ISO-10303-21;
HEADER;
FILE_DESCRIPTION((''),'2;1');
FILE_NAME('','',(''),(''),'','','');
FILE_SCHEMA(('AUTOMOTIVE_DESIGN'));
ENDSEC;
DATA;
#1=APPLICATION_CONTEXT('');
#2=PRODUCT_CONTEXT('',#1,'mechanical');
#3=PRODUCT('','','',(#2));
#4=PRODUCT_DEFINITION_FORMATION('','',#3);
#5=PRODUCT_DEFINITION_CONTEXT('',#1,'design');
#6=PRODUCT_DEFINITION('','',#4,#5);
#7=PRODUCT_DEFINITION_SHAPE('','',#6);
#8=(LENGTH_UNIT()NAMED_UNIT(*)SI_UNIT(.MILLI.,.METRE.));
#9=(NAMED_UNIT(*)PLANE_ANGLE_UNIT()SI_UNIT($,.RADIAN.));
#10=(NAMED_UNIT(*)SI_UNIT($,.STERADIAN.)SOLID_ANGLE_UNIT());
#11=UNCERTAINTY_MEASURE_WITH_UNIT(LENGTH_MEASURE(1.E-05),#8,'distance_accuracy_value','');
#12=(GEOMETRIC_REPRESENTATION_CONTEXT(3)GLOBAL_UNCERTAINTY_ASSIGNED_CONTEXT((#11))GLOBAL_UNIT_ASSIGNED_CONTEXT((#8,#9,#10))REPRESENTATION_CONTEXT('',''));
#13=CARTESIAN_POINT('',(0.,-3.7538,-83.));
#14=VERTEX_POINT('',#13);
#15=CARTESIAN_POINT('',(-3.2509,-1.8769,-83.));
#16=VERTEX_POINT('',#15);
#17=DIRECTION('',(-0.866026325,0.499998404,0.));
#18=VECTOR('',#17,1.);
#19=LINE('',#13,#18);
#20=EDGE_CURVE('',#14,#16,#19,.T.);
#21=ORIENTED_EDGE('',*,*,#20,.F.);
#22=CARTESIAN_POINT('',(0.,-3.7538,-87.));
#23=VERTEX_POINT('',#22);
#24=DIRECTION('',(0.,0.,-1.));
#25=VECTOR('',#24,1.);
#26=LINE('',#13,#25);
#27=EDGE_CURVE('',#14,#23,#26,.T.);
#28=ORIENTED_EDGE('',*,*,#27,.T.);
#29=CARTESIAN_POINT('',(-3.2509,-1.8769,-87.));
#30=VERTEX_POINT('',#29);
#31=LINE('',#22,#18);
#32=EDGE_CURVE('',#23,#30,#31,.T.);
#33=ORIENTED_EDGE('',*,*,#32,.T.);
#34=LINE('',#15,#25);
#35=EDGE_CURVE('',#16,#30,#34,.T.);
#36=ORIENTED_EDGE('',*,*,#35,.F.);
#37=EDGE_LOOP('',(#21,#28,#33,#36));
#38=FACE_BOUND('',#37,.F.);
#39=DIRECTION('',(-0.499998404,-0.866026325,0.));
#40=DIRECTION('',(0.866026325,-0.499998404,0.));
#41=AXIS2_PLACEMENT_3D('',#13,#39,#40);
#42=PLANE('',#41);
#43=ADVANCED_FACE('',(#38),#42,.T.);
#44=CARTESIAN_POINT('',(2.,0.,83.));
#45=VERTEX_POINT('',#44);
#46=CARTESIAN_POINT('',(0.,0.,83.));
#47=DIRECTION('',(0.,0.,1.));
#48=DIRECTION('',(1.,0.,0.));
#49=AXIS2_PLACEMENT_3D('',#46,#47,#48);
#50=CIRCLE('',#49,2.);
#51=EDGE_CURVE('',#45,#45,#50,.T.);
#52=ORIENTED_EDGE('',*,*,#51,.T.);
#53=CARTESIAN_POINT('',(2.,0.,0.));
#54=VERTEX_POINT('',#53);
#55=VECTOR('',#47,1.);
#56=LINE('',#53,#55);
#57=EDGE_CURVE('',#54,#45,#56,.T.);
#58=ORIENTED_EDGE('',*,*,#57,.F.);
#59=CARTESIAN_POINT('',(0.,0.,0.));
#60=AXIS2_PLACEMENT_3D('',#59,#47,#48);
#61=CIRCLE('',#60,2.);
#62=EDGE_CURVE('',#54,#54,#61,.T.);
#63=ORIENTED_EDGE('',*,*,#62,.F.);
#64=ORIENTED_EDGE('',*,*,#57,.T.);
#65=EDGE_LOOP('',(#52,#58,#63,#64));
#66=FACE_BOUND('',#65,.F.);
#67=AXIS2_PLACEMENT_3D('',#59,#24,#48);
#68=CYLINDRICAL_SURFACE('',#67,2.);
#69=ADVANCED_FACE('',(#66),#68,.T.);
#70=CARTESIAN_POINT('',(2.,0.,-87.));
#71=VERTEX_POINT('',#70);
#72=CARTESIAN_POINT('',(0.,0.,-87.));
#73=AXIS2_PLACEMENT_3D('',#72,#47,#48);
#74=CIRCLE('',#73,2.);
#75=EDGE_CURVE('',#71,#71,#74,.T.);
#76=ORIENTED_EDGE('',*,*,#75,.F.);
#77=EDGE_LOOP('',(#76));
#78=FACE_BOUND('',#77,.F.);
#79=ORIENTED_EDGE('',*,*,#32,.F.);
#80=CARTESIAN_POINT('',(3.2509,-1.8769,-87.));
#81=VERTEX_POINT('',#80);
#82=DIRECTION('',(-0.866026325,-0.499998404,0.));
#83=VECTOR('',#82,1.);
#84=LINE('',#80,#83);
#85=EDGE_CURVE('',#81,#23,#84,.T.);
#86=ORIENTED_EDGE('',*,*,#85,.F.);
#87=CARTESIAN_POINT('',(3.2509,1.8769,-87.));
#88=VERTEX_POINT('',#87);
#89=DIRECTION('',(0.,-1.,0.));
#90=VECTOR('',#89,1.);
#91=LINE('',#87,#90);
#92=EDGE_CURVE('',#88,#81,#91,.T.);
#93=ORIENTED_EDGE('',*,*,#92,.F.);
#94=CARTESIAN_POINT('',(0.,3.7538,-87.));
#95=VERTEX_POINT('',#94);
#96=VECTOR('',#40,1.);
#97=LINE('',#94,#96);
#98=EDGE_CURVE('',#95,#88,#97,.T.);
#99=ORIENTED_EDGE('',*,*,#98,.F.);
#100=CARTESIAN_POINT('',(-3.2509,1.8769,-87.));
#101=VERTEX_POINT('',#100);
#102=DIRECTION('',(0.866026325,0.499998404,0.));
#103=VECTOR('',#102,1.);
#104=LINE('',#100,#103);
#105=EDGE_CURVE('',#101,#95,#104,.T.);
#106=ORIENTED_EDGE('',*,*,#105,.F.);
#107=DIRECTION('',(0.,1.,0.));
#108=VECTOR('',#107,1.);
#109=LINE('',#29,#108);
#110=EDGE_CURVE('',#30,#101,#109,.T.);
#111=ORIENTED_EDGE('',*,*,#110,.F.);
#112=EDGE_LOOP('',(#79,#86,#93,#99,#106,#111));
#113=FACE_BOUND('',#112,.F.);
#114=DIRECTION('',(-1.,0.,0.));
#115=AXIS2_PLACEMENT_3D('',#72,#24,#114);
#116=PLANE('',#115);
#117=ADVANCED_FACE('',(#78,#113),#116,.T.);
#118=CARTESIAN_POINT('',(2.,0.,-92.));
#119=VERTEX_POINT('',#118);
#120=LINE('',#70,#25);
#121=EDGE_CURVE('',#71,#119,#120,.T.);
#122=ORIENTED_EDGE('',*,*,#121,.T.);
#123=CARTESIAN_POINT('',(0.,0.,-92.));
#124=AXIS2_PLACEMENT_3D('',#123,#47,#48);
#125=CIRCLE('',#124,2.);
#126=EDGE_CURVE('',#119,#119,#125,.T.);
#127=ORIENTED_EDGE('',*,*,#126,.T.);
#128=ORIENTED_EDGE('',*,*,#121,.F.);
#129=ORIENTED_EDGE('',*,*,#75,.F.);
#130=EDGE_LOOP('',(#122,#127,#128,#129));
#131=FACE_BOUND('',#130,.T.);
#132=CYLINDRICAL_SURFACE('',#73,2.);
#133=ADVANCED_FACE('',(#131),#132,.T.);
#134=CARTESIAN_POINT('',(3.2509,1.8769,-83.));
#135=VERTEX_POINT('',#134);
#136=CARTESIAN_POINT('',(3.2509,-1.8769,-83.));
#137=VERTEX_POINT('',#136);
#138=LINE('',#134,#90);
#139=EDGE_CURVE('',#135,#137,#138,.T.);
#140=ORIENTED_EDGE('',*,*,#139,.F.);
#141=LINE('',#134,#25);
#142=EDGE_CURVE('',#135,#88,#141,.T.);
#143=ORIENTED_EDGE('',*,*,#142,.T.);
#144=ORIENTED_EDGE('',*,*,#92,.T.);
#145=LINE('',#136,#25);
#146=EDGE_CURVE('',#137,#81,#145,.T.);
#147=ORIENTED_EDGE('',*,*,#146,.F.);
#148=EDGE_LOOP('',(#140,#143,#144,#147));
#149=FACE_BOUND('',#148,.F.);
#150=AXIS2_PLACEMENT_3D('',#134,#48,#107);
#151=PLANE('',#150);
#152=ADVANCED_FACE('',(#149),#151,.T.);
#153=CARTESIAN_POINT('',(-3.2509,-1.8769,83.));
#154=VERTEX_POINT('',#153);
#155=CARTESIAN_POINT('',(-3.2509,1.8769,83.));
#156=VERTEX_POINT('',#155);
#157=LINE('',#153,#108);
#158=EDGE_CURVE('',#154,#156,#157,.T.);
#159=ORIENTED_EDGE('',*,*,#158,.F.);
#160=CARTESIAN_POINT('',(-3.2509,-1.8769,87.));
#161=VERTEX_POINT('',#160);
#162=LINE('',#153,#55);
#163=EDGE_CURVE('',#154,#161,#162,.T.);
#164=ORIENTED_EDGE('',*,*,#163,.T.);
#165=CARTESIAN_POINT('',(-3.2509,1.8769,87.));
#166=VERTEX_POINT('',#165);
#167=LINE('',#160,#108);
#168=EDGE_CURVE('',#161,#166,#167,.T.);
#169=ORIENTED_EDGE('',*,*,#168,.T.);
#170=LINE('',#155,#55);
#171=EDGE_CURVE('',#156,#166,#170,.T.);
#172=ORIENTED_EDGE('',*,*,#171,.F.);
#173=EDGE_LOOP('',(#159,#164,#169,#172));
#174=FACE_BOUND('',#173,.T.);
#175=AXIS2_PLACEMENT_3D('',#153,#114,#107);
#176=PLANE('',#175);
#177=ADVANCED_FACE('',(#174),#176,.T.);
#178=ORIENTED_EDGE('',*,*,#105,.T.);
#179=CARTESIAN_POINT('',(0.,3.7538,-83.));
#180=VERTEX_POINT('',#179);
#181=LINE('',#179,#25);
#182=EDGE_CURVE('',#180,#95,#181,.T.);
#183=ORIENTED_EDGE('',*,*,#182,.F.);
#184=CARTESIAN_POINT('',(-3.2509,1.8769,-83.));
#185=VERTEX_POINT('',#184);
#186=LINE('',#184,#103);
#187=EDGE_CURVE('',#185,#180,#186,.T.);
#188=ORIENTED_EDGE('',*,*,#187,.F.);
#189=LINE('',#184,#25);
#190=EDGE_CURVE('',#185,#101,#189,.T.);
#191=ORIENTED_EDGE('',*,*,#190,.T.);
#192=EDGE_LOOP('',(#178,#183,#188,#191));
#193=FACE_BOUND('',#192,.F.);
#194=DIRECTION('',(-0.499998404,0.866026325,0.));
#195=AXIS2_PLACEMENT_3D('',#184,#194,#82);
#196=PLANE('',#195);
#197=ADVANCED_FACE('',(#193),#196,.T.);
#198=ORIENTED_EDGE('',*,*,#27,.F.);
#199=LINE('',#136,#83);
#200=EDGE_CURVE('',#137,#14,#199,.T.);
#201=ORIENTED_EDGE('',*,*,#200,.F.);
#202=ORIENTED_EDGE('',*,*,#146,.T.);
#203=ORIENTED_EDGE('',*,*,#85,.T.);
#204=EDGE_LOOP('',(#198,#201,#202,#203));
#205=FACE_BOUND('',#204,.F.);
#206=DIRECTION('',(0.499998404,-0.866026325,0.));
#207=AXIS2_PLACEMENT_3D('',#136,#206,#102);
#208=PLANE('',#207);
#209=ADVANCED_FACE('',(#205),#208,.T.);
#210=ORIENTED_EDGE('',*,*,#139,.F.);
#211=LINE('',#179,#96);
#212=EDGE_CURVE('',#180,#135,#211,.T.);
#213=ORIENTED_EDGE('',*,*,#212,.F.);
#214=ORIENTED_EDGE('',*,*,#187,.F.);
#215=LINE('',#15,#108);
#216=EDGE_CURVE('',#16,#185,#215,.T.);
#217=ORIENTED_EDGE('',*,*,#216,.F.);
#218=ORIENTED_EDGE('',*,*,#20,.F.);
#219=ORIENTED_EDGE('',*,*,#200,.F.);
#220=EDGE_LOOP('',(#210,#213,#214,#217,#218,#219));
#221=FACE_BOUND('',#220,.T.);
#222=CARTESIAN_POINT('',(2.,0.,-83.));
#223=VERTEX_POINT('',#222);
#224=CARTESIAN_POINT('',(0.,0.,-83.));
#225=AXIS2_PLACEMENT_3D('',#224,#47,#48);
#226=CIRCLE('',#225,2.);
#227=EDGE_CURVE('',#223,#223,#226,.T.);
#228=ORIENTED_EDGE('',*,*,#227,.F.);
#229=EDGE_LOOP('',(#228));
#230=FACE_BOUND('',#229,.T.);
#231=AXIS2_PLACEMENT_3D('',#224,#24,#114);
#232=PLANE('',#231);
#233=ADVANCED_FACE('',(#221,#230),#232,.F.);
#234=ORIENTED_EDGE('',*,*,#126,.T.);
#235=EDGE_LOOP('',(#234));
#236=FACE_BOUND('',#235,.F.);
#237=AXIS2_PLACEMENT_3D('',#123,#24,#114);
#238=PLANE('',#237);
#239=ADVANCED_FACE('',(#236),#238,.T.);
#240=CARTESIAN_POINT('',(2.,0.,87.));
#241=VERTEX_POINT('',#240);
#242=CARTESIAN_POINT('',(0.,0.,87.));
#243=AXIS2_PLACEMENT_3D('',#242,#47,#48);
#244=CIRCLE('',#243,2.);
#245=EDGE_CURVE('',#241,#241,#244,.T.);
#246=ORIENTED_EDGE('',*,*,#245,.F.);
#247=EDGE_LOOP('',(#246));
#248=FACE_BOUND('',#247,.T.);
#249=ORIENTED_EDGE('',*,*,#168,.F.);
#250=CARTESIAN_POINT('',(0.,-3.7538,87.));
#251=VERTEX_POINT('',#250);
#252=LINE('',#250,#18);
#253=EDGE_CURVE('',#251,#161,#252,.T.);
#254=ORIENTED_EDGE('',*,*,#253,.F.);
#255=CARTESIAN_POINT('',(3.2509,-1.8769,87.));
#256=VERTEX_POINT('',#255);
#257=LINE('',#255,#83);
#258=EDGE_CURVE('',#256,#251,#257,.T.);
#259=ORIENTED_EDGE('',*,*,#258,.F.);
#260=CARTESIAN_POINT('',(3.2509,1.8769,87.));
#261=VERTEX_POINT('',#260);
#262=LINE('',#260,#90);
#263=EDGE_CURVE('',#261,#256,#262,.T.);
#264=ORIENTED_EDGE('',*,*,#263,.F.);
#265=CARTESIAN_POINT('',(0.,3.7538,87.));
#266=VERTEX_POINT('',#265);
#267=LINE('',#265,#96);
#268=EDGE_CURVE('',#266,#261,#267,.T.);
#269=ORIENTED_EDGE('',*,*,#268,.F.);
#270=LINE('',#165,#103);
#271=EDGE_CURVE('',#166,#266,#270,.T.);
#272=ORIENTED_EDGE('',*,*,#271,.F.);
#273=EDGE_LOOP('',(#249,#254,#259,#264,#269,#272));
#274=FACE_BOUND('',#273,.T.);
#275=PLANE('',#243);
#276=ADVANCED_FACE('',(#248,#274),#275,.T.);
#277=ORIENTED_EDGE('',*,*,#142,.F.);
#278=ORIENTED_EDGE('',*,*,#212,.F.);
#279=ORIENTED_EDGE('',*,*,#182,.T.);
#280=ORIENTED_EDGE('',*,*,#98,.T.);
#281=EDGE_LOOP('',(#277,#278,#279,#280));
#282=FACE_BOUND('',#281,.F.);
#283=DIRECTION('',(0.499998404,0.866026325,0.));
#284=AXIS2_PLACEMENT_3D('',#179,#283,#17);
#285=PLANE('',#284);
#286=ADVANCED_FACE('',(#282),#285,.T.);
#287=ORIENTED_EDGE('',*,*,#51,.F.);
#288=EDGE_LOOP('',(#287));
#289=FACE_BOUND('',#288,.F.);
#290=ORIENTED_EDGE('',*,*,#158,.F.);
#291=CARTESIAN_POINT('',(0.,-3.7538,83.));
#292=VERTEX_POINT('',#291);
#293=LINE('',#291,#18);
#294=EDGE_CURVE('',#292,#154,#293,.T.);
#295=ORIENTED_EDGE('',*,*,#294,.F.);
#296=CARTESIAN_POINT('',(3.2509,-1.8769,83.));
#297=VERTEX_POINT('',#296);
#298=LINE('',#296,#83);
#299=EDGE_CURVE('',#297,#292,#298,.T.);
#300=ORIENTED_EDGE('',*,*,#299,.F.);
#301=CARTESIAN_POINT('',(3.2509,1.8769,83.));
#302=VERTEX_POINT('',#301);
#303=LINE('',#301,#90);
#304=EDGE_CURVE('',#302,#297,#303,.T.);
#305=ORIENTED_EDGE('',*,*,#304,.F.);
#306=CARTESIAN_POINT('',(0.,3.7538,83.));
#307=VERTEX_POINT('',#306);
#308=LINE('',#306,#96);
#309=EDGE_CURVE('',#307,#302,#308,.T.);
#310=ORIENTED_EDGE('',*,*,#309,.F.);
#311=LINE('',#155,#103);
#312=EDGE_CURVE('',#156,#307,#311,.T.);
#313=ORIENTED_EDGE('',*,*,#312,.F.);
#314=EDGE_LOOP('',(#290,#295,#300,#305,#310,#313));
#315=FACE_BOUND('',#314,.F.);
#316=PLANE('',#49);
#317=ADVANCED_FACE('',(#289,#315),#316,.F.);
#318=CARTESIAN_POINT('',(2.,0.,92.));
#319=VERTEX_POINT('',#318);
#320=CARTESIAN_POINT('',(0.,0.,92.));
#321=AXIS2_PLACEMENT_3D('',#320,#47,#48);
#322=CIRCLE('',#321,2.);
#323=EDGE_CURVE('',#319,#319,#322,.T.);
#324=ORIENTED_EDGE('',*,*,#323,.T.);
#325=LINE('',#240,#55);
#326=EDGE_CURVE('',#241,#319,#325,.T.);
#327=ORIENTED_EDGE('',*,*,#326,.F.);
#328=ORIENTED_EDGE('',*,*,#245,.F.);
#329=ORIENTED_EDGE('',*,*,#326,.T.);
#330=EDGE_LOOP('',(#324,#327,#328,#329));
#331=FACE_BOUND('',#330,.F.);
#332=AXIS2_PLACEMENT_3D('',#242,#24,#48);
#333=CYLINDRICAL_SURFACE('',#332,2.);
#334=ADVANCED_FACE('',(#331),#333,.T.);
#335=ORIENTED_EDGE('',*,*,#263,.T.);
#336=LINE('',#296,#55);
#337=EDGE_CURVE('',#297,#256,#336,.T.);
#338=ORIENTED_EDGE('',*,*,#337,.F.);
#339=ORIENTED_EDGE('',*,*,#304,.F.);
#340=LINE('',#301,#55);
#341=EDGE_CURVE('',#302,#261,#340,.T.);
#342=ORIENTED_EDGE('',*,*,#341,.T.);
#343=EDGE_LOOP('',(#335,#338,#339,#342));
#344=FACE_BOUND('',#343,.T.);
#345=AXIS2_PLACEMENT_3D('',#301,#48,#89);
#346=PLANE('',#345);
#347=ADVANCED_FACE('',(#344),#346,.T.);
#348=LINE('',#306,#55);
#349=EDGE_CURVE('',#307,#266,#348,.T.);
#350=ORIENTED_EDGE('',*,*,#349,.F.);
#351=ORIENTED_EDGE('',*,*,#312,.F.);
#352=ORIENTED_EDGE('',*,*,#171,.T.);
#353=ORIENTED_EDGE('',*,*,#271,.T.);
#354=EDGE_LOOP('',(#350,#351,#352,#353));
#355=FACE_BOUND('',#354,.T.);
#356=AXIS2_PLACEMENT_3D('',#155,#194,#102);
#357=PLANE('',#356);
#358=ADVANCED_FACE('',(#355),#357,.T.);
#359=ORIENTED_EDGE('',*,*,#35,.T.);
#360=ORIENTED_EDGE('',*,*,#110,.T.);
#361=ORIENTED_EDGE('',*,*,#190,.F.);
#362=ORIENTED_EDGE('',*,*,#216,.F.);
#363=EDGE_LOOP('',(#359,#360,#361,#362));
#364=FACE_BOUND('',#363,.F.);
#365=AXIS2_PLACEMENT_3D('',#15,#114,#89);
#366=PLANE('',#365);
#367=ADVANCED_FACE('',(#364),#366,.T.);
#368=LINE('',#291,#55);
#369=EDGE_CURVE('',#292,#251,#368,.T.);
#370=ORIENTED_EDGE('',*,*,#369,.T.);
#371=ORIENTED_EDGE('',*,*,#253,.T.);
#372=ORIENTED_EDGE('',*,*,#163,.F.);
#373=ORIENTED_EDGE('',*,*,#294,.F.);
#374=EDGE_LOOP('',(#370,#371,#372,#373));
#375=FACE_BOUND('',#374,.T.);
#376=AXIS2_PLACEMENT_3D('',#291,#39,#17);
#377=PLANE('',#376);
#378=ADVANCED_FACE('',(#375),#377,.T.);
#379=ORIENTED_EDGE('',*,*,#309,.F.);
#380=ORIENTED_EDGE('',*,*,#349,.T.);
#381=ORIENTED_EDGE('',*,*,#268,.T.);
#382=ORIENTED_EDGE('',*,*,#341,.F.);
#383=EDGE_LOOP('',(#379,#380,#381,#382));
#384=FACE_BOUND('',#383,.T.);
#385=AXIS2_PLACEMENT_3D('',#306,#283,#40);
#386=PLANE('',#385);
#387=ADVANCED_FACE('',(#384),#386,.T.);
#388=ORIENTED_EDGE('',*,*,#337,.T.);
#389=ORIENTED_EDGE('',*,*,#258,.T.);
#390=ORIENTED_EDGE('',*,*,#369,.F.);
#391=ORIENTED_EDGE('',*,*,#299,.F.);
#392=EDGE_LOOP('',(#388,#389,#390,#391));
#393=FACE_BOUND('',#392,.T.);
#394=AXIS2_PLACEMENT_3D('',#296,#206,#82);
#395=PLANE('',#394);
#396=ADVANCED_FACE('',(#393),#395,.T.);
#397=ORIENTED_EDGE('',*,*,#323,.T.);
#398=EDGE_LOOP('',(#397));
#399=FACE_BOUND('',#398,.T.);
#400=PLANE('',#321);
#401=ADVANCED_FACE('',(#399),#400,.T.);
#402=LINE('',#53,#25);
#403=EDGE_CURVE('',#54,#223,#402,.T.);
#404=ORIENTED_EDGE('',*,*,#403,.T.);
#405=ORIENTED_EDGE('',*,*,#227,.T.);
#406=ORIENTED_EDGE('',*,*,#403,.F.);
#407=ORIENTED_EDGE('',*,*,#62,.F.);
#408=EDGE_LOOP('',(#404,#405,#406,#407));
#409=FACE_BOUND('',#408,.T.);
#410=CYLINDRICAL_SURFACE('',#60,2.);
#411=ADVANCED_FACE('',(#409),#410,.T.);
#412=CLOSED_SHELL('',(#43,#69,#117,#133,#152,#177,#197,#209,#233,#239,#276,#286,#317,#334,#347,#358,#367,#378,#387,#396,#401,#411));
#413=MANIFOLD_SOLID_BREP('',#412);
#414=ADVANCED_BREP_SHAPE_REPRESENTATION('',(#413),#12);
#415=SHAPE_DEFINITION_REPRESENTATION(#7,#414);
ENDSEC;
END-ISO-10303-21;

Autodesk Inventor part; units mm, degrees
ref_plane "YZ Plane" through (0, 0, 0) normal (1, 0, 0) x (0, 1, 0)
ref_plane "XZ Plane" through (0, 0, 0) normal (0, 1, 0) x (-1, 0, 0)
ref_plane "XY Plane" through (0, 0, 0) normal (0, 0, 1) x (1, 0, 0)
sketch "Эскиз1" plane through (0, 0, 0) normal (0, 0, 1) x (1, 0, 0)
  circle A0 centre (0, 0) radius 2
  dimension "d0" = 4
extrude "Выдавливание1" add sketch "Эскиз1" along normal blind 83
sketch "Эскиз2" plane through (0, 0, 83) normal (0, 0, 1) x (1, 0, 0)
  line L0 (0, 3.7538) -> (3.2509, 1.8769)
  line L1 (3.2509, 1.8769) -> (3.2509, -1.8769)
  line L2 (3.2509, -1.8769) -> (0, -3.7538)
  line L3 (0, -3.7538) -> (-3.2509, -1.8769)
  line L4 (-3.2509, -1.8769) -> (-3.2509, 1.8769)
  line L5 (-3.2509, 1.8769) -> (0, 3.7538)
  point P0 (0, 0)
  point P1 (0, 0)
extrude "Выдавливание2" add sketch "Эскиз2" along normal blind 4
sketch "Эскиз3" plane through (0, 0, 87) normal (0, 0, 1) x (1, 0, 0)
  circle A0 centre (0, 0) radius 2 projected
  circle A1 centre (0, 0) radius 2
extrude "Выдавливание3" add sketch "Эскиз3" along normal blind 5
thread "Резьба1" size "M4x0.7" class "6g" standard "ANSI Metric M Profile" full length
mirror "Зеркальное отражение1" about plane through (0, 0, 0) normal (0, 0, -1)
properties part number "ось пушки 2" material "Сталь, литейная"
